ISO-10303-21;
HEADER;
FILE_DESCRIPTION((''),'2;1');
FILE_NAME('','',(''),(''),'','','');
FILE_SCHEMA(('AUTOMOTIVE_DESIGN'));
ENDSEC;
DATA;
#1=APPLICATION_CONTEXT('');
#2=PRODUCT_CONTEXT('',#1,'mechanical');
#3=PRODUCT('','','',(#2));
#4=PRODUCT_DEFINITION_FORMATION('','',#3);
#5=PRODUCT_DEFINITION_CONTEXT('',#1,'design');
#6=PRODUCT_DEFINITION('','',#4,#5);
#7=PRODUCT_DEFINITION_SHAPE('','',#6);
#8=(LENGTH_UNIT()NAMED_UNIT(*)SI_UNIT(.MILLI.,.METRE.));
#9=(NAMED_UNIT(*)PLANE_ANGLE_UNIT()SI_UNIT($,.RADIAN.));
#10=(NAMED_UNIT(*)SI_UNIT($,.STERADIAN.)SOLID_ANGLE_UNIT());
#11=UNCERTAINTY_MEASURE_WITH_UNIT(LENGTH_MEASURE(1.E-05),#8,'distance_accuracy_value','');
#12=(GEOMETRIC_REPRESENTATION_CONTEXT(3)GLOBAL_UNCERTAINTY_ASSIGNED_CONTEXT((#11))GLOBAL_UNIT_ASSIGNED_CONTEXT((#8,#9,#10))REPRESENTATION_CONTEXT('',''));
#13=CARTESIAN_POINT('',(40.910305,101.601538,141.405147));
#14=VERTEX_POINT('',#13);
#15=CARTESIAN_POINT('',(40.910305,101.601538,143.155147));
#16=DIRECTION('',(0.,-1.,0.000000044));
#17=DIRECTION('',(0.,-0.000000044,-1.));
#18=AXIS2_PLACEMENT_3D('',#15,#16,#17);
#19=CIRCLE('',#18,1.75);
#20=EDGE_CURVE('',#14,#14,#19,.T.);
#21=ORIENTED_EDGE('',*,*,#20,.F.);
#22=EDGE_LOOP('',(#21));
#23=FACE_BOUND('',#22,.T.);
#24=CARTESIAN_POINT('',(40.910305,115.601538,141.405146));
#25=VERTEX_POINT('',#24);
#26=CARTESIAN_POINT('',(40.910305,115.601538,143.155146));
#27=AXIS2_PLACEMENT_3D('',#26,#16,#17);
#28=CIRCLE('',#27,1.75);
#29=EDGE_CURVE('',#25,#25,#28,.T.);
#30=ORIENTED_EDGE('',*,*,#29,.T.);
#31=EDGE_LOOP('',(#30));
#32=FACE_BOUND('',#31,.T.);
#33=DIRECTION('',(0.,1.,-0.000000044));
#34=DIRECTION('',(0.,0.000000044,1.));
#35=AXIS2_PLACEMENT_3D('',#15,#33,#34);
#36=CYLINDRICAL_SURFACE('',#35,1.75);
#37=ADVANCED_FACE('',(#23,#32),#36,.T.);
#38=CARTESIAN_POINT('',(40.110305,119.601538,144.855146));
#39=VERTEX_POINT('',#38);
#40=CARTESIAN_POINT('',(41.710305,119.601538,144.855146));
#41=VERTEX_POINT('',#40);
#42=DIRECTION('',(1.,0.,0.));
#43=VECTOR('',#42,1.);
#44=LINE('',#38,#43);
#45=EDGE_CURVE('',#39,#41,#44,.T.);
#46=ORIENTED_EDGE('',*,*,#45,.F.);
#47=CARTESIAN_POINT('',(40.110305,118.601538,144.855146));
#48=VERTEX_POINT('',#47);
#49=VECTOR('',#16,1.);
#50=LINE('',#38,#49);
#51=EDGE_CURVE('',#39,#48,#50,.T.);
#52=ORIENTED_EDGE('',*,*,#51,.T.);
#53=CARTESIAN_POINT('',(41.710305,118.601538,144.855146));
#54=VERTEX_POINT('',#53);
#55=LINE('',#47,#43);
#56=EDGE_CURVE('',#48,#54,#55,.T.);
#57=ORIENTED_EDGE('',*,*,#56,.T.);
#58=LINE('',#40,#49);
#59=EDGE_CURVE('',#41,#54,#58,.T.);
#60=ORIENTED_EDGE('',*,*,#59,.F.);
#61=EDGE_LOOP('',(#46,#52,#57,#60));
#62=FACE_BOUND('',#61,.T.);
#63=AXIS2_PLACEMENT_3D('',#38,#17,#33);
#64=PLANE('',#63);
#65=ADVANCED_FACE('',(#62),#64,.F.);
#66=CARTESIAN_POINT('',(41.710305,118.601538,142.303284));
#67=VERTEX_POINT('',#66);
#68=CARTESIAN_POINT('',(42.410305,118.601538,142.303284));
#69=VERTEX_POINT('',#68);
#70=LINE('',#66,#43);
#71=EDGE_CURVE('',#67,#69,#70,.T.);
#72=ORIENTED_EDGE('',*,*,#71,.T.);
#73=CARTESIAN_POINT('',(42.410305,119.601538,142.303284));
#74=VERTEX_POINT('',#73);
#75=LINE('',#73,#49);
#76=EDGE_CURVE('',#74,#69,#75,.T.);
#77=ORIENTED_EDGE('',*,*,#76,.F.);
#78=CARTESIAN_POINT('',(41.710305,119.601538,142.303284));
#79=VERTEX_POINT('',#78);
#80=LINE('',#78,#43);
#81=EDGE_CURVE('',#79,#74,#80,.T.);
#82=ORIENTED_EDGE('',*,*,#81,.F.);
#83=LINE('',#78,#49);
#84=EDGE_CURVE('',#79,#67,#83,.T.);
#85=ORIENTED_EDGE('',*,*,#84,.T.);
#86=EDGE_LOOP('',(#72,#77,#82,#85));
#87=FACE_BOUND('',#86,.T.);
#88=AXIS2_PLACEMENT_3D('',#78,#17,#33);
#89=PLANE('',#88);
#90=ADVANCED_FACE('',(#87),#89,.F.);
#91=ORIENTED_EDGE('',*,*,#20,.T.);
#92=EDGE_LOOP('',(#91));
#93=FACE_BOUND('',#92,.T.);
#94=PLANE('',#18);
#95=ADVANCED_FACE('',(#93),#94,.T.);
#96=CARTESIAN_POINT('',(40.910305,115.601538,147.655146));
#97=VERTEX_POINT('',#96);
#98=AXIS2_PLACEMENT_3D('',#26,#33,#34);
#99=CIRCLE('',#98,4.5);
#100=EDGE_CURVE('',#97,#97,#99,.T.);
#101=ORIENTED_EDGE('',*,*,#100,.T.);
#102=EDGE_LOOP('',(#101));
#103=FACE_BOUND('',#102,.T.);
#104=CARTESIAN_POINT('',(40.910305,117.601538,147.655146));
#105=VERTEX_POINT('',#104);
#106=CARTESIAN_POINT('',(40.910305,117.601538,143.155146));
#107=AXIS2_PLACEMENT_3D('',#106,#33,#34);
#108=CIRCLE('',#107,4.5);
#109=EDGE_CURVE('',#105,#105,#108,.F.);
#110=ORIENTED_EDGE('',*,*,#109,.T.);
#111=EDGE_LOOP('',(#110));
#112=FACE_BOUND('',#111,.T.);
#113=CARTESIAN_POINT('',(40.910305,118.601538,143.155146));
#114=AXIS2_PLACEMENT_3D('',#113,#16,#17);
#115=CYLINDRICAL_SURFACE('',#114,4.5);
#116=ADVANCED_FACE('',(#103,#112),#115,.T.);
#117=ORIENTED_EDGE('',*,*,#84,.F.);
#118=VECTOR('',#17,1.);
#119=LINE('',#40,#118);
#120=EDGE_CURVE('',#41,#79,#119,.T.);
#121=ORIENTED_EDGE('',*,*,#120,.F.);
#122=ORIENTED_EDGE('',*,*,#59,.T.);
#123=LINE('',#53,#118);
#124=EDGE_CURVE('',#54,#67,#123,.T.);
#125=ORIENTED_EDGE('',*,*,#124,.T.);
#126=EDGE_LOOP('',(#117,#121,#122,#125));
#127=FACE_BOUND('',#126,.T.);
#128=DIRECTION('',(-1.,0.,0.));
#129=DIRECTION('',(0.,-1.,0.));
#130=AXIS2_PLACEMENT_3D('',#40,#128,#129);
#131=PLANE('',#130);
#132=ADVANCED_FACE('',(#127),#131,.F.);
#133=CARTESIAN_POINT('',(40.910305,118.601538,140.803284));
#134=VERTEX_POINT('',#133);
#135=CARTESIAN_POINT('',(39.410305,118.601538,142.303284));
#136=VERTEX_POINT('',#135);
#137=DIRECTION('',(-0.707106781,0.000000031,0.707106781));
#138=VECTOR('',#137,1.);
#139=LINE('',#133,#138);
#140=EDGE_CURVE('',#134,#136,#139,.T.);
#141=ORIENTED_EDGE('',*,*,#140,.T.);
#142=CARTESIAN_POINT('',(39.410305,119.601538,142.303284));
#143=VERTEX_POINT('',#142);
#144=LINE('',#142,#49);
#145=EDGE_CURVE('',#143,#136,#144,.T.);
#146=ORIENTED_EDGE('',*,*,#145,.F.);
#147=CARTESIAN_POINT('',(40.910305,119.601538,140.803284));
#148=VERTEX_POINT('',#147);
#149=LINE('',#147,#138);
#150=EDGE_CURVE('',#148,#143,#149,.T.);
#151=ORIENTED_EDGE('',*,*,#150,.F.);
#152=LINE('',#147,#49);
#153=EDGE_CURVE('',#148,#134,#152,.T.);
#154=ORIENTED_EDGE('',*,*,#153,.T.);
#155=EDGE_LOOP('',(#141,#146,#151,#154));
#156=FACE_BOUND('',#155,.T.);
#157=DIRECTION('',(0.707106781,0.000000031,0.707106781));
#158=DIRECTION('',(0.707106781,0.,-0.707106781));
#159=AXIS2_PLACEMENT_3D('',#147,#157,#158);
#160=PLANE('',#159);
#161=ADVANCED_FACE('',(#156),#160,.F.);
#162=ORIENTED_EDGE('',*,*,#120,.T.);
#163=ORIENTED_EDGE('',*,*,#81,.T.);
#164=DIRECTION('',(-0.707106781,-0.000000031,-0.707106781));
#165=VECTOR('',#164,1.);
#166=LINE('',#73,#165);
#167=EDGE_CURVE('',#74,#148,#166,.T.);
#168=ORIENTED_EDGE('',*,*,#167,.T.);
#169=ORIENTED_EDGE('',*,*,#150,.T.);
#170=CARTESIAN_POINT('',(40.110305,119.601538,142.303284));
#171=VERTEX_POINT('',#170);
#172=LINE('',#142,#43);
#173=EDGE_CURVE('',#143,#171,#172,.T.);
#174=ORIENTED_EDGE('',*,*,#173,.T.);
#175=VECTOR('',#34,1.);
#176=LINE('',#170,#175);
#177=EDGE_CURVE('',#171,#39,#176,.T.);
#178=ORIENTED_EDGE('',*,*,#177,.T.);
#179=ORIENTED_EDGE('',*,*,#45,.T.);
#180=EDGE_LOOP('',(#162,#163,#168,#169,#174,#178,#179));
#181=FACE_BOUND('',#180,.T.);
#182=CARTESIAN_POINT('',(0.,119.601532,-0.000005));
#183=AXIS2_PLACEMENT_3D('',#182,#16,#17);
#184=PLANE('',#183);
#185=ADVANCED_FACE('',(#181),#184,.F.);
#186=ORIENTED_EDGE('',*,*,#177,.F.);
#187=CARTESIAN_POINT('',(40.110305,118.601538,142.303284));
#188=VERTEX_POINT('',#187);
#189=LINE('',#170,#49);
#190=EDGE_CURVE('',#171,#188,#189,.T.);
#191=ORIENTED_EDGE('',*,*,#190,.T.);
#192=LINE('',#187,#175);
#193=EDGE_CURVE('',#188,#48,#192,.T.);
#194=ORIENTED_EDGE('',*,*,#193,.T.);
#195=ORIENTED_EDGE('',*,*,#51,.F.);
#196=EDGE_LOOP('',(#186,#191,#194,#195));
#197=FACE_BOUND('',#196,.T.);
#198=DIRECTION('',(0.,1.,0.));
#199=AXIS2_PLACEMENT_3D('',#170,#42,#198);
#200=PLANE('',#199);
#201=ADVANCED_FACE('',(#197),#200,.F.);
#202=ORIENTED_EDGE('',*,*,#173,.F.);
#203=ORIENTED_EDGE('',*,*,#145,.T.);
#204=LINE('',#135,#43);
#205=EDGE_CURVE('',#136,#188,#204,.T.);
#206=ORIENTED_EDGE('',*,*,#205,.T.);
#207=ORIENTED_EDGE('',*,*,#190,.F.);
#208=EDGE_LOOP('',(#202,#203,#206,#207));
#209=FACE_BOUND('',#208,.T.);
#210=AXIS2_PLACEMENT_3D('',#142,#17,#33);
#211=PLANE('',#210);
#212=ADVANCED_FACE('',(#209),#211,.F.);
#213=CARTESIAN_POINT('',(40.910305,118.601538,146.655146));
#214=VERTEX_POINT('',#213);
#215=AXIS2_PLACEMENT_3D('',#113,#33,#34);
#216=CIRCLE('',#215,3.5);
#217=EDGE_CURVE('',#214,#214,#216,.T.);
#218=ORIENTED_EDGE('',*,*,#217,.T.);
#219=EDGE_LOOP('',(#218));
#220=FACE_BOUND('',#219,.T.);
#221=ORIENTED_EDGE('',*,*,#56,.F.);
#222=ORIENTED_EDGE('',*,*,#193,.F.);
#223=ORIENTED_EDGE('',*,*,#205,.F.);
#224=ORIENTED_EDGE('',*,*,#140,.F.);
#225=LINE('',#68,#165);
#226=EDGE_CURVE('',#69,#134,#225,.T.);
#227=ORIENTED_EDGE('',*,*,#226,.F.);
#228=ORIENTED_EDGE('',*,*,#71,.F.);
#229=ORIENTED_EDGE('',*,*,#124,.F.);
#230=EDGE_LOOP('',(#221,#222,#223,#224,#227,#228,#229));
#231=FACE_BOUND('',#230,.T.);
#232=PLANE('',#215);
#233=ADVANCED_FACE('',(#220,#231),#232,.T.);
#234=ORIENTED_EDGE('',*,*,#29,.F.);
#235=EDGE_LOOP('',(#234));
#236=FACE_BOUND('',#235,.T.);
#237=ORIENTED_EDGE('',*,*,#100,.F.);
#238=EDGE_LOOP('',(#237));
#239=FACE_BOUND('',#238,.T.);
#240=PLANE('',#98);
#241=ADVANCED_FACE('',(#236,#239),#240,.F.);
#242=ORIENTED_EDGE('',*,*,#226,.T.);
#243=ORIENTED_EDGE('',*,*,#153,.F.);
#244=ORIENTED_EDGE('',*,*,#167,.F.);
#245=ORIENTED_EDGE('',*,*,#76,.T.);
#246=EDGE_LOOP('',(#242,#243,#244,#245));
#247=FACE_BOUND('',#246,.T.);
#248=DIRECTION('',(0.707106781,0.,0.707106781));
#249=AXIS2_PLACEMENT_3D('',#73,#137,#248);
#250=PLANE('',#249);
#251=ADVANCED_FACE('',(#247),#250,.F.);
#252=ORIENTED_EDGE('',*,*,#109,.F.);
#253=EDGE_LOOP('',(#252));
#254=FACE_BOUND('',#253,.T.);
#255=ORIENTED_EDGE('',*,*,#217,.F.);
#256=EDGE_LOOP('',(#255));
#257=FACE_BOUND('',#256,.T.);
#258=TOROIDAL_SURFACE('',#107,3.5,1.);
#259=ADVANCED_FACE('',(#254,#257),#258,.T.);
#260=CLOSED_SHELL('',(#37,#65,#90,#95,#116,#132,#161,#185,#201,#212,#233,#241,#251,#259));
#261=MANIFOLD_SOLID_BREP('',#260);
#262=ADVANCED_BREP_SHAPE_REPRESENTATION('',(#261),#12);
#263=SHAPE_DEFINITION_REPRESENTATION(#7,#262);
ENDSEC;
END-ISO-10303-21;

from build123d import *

# Parameters (mm, degrees)
SKETCH1_R           = 4.5
BOSS_EXTRUDE1_DEPTH = 3
FILLET1_R           = 1
BOSS_EXTRUDE2_DEPTH = 1
SKETCH6_R           = 1.75
BOSS_EXTRUDE3_DEPTH = 14


with BuildPart() as part:
    # Sketch1 → Boss-Extrude1 (new body)
    with BuildSketch(Plane(origin=(0, 115.601531763, -5.053e-06), x_dir=(1, 0, 0), z_dir=(0, 1, -4.4e-08))):
        with Locations((40.91030477, -143.155151275)):
            Circle(SKETCH1_R)
    extrude(amount=BOSS_EXTRUDE1_DEPTH)

    # Fillet1
    fillet1_edges = [part.edges().sort_by_distance(p)[0] for p in [
        (36.41030477, 118.601538021, 143.155146091),
    ]]
    fillet(fillet1_edges, radius=FILLET1_R)

    # Sketch2 → Boss-Extrude2 (add)
    with BuildSketch(Plane(origin=(0, 118.601531763, -5.184e-06), x_dir=(1, 0, 0), z_dir=(0, 1, -4.4e-08))):
        Polygon((40.11030477, -142.303288868), (40.11030477, -144.855151275), (41.71030477, -144.855151275), (41.71030477, -142.303288868), (42.41030477, -142.303288868), (40.91030477, -140.803288868), (39.41030477, -142.303288868), align=None)
    extrude(amount=BOSS_EXTRUDE2_DEPTH)

    # Sketch6 → Boss-Extrude3 (add)
    with BuildSketch(Plane(origin=(0, 115.601531763, -5.053e-06), x_dir=(-1, 0, 0), z_dir=(0, -1, 4.4e-08))):
        with Locations((-40.91030477, -143.155151275)):
            Circle(SKETCH6_R)
    extrude(amount=BOSS_EXTRUDE3_DEPTH)


solid = part.part
